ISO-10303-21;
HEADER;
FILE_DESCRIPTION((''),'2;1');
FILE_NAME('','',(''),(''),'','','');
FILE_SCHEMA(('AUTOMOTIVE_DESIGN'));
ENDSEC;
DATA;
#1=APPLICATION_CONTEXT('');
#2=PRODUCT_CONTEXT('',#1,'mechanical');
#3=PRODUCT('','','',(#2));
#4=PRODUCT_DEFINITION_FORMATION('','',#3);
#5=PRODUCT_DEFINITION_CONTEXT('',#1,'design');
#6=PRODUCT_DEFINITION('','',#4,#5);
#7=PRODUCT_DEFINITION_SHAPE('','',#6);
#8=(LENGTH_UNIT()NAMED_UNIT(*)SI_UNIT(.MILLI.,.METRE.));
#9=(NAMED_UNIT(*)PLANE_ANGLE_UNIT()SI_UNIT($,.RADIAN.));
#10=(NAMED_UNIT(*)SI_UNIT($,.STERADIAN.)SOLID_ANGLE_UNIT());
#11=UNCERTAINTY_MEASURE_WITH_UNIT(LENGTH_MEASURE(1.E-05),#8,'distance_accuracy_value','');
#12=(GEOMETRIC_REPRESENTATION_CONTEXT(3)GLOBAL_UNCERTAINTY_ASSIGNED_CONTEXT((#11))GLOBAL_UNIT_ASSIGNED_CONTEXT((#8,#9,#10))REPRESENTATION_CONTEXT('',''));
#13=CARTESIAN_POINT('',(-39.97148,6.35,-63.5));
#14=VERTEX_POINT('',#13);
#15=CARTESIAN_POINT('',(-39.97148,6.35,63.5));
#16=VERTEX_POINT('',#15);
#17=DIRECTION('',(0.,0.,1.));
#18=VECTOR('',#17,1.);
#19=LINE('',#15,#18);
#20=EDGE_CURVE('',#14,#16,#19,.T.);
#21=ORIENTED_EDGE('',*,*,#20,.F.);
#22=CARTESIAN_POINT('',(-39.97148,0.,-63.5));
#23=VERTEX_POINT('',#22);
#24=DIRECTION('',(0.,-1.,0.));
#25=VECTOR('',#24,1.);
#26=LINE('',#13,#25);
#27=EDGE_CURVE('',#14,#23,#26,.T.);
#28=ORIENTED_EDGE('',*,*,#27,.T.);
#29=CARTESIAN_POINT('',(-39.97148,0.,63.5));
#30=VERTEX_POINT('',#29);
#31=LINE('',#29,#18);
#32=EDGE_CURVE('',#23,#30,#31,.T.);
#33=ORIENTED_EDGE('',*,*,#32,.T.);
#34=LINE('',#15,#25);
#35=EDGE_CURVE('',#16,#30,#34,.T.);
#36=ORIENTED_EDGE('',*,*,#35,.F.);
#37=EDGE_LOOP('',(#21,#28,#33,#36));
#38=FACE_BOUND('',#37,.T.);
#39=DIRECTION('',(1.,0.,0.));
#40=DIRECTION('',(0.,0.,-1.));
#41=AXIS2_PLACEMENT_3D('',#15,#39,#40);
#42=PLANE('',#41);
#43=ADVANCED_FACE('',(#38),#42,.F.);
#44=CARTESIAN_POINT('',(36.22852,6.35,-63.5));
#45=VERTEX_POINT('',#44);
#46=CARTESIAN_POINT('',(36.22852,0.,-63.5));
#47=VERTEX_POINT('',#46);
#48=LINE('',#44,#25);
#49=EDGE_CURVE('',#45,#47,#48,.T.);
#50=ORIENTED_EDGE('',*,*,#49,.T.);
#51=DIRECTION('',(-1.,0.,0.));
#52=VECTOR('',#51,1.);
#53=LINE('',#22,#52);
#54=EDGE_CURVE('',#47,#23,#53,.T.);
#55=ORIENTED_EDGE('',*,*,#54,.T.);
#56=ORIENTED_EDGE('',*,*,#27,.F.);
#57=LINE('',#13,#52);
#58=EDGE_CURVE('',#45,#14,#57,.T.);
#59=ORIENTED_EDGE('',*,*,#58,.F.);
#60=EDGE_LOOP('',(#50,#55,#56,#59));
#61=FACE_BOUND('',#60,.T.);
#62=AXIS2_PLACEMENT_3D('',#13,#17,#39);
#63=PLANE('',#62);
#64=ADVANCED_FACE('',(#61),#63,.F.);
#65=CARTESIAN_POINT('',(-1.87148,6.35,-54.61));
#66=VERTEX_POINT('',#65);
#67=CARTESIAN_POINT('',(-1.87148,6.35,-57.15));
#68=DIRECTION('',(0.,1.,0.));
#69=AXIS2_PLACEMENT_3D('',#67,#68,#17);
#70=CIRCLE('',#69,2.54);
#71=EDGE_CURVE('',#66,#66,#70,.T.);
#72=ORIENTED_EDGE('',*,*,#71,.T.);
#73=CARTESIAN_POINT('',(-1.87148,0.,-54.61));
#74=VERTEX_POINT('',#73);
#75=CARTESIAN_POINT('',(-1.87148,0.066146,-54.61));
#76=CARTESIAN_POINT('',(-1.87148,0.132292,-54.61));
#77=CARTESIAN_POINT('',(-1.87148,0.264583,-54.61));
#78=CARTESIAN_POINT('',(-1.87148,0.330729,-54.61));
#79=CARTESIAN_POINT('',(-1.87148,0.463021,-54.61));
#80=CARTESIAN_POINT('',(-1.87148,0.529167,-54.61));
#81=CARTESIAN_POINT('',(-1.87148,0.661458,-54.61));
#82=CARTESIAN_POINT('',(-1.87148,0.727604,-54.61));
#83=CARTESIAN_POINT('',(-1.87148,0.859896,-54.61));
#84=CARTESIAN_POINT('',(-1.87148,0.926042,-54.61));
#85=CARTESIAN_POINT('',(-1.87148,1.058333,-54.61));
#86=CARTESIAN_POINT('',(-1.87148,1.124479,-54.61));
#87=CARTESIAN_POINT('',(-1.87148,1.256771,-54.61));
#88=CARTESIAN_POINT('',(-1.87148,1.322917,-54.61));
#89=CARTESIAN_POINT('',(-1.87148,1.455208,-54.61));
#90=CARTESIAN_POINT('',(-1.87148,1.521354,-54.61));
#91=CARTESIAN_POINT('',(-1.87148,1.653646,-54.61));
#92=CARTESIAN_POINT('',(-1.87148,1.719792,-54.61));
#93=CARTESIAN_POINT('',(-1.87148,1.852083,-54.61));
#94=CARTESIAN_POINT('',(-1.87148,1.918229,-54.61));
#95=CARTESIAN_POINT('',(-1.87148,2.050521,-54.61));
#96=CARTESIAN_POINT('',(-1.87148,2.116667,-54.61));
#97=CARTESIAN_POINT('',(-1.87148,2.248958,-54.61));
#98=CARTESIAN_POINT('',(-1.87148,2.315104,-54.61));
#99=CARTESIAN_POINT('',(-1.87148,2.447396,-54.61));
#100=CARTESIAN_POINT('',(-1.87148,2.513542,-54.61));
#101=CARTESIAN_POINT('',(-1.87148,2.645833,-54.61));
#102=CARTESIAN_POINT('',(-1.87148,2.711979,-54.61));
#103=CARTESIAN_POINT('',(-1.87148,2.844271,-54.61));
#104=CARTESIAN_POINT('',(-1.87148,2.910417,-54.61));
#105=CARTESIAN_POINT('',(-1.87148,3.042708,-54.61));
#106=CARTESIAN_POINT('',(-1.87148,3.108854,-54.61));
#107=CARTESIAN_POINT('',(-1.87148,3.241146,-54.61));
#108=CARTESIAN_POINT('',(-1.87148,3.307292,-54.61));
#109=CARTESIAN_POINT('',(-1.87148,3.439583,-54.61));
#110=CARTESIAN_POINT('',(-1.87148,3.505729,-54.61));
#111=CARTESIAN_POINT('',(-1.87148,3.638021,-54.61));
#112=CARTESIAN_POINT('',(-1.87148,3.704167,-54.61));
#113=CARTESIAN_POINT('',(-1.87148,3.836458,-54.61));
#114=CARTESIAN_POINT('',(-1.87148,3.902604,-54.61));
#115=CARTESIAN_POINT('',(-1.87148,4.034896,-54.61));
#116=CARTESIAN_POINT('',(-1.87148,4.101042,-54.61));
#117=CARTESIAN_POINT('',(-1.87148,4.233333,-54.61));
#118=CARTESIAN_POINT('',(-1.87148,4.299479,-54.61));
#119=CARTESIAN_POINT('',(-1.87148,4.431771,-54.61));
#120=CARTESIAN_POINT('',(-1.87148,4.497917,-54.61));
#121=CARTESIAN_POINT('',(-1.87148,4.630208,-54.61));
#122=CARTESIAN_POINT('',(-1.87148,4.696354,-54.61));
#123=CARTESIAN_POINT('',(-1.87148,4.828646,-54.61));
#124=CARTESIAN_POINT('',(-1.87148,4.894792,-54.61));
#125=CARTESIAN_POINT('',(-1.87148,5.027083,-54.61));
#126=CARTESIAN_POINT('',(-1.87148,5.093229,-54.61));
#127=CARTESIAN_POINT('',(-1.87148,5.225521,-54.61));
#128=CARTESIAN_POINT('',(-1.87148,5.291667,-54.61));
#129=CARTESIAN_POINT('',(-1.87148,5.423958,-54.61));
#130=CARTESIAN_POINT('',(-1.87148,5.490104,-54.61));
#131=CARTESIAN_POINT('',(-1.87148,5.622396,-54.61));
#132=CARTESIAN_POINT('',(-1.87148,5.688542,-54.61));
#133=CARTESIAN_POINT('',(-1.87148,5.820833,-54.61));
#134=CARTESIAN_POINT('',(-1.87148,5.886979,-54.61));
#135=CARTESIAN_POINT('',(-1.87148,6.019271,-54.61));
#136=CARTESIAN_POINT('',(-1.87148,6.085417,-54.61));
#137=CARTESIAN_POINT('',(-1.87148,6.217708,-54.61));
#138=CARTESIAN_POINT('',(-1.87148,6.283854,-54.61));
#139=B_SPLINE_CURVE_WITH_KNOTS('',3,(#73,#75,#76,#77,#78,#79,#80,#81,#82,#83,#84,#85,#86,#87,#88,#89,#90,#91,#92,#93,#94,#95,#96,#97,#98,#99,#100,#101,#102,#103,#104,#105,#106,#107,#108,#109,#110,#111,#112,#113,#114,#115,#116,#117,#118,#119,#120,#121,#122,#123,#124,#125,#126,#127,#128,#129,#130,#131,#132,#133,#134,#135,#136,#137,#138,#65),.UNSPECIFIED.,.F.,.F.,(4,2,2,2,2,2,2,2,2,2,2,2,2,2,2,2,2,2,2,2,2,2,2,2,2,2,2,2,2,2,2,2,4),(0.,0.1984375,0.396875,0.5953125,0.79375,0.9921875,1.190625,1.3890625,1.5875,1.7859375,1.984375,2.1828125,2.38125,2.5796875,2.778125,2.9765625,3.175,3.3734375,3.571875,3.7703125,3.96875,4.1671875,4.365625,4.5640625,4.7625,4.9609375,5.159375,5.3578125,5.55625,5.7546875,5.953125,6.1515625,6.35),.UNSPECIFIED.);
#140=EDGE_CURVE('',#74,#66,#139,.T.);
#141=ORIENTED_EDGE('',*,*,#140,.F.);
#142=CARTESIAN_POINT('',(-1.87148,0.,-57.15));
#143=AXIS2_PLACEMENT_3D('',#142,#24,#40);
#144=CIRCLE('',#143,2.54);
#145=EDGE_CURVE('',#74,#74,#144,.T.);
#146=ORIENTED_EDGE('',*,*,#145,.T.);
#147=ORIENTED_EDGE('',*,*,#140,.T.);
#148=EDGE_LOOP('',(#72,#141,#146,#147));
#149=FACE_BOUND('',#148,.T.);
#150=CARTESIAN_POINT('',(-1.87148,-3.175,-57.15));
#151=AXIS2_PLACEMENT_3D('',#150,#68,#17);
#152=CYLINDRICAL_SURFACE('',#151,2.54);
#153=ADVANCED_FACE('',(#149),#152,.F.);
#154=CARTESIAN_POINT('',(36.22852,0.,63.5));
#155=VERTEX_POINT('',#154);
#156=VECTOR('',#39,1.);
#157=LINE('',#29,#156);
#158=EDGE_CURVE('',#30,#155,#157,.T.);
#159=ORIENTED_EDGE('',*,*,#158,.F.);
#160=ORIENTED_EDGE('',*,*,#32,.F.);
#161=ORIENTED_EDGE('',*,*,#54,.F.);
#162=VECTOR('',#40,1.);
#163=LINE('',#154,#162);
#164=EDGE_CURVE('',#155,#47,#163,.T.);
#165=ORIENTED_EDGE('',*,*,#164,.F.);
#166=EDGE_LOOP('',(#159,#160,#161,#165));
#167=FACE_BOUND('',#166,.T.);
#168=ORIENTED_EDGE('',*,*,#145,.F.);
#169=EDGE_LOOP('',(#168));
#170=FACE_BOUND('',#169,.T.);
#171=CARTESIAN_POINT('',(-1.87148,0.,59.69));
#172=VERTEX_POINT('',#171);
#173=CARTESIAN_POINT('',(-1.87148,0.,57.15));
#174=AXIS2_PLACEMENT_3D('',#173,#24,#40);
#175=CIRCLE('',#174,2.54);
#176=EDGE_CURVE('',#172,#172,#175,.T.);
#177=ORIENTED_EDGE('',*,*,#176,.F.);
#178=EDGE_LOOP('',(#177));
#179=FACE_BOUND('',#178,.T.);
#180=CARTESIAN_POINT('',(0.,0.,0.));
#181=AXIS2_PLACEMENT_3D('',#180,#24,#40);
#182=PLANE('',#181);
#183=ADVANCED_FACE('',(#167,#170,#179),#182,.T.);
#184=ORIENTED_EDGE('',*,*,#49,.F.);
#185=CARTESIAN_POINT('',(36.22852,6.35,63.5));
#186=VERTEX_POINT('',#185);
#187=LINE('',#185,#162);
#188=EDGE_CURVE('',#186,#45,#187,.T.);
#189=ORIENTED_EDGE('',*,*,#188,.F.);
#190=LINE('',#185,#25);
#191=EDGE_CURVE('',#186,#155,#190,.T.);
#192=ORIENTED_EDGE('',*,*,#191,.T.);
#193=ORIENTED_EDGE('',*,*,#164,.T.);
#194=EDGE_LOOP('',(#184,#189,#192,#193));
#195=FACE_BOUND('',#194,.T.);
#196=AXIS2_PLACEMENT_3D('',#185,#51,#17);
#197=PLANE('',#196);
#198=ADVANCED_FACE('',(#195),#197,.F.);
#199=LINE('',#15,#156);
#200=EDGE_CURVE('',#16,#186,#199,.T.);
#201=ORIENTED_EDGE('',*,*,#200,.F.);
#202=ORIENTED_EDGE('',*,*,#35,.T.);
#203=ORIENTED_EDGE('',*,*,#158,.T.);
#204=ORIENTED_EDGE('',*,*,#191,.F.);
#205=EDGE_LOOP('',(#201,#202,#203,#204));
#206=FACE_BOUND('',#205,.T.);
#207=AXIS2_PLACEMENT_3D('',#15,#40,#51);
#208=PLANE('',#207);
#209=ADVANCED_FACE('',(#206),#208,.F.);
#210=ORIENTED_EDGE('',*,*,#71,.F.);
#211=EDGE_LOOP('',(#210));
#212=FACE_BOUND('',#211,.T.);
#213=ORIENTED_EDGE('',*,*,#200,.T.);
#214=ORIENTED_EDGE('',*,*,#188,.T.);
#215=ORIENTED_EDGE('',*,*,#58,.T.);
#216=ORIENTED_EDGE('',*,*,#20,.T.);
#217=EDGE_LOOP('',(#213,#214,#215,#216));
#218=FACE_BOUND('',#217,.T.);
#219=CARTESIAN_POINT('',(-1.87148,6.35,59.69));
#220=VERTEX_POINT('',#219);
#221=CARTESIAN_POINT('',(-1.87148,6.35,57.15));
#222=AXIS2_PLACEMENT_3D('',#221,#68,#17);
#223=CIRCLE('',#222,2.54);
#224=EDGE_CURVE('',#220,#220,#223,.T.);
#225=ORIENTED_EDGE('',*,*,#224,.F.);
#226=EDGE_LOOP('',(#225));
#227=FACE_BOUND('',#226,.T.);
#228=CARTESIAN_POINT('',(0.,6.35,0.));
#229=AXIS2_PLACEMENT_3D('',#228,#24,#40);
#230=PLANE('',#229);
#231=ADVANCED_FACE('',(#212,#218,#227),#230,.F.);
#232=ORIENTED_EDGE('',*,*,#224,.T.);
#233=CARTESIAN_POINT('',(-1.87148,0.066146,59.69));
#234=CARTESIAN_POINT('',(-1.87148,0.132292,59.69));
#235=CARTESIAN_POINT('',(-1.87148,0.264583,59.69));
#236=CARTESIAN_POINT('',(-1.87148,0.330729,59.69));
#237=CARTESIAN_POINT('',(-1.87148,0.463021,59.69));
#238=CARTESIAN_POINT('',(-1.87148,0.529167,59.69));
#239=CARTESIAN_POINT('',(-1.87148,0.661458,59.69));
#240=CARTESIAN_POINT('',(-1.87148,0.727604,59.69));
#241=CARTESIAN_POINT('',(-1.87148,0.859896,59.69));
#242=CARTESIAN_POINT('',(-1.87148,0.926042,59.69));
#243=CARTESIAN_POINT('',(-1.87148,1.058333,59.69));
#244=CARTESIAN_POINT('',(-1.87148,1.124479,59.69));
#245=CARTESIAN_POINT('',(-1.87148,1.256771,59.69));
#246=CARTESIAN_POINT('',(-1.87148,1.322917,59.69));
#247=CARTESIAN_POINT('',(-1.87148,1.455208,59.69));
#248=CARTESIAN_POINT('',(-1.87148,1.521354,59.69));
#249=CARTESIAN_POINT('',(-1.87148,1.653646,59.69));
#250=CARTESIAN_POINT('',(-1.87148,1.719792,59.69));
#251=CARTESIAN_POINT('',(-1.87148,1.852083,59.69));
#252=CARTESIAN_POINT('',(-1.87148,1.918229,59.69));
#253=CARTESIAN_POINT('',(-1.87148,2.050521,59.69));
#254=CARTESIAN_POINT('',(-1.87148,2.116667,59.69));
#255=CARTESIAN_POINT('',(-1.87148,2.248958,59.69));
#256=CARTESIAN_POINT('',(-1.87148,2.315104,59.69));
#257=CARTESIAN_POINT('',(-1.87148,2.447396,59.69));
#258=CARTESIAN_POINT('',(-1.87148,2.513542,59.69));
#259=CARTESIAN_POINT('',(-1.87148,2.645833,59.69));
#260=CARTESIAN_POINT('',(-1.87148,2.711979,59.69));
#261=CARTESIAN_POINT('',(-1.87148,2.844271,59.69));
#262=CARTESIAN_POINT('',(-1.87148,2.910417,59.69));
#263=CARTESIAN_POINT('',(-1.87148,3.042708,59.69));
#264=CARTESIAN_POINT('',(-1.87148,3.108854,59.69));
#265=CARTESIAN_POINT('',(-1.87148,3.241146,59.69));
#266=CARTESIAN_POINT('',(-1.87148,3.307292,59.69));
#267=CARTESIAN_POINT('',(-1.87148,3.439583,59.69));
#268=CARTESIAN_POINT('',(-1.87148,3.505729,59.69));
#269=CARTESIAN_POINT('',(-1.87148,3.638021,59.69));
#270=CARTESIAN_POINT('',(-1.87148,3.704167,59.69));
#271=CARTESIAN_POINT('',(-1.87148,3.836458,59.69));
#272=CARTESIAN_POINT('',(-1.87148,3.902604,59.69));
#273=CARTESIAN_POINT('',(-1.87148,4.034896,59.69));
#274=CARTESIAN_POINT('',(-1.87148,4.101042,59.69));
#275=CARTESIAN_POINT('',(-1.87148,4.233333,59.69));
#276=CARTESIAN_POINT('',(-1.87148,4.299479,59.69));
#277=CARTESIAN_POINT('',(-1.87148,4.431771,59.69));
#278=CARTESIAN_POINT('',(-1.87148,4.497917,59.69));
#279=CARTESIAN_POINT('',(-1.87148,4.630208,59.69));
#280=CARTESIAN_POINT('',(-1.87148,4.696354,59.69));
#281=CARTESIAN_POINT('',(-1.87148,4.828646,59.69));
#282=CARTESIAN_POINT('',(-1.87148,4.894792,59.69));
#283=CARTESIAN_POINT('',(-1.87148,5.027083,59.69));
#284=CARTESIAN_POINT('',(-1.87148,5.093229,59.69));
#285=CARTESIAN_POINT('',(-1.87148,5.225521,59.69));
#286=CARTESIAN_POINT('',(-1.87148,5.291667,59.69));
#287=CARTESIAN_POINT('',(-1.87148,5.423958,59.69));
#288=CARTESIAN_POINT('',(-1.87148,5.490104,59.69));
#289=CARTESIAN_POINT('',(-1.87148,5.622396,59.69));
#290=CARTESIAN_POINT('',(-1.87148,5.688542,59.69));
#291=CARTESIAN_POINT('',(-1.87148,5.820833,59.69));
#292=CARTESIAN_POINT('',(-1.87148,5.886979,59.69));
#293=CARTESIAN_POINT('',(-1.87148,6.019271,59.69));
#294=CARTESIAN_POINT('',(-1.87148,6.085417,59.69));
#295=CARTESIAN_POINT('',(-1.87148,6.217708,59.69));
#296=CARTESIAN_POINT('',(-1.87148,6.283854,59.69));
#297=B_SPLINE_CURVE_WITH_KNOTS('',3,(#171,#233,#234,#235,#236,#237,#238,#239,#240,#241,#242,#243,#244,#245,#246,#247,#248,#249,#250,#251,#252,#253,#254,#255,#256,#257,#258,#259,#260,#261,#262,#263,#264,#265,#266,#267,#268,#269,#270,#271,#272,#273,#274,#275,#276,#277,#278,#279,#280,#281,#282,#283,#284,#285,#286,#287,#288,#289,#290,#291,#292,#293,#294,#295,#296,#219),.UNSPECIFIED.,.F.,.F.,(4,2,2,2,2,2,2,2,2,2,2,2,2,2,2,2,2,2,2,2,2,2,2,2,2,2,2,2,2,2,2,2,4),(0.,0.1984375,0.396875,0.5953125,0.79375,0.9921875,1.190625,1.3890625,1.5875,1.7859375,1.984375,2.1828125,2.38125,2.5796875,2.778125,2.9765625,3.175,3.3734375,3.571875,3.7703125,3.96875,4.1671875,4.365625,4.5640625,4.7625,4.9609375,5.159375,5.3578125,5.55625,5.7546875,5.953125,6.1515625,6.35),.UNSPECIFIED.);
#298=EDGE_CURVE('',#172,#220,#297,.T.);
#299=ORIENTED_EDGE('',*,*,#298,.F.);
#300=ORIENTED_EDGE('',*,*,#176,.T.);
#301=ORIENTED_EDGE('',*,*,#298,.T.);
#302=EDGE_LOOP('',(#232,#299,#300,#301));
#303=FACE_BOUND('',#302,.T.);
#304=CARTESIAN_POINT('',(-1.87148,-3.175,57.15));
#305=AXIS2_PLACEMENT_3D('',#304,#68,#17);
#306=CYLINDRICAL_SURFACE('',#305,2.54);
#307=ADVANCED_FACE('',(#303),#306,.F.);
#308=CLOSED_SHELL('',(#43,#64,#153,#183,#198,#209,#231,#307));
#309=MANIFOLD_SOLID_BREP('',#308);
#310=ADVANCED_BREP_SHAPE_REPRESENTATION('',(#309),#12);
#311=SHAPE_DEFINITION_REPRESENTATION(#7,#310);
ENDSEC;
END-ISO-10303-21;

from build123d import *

# Parameters (mm, degrees)
SKETCH2_W           = 76.2
SKETCH2_H           = 127
BOSS_EXTRUDE1_DEPTH = 6.35
SKETCH6_R           = 2.54
CUT_EXTRUDE3_DEPTH  = 9.525


with BuildPart() as part:
    # Sketch2 → Boss-Extrude1 (new body)
    with BuildSketch(Plane(origin=(0, 0, 0), x_dir=(1, 0, 0), z_dir=(0, 1, 0))):
        with Locations((-1.871480339, 0)):
            Rectangle(SKETCH2_W, SKETCH2_H)
    extrude(amount=BOSS_EXTRUDE1_DEPTH)

    # Sketch6 → Cut-Extrude3 (cut)
    with BuildSketch(Plane(origin=(0, 6.35, 0), x_dir=(1, 0, 0), z_dir=(0, 1, 0))):
        with Locations(Location((-1.871480339, 57.15, 0), (0, 0, 270))):
            Circle(SKETCH6_R)
        with Locations(Location((-1.871480339, -57.15, 0), (0, 0, 270))):
            Circle(SKETCH6_R)
    extrude(amount=-CUT_EXTRUDE3_DEPTH, mode=Mode.SUBTRACT)


solid = part.part
